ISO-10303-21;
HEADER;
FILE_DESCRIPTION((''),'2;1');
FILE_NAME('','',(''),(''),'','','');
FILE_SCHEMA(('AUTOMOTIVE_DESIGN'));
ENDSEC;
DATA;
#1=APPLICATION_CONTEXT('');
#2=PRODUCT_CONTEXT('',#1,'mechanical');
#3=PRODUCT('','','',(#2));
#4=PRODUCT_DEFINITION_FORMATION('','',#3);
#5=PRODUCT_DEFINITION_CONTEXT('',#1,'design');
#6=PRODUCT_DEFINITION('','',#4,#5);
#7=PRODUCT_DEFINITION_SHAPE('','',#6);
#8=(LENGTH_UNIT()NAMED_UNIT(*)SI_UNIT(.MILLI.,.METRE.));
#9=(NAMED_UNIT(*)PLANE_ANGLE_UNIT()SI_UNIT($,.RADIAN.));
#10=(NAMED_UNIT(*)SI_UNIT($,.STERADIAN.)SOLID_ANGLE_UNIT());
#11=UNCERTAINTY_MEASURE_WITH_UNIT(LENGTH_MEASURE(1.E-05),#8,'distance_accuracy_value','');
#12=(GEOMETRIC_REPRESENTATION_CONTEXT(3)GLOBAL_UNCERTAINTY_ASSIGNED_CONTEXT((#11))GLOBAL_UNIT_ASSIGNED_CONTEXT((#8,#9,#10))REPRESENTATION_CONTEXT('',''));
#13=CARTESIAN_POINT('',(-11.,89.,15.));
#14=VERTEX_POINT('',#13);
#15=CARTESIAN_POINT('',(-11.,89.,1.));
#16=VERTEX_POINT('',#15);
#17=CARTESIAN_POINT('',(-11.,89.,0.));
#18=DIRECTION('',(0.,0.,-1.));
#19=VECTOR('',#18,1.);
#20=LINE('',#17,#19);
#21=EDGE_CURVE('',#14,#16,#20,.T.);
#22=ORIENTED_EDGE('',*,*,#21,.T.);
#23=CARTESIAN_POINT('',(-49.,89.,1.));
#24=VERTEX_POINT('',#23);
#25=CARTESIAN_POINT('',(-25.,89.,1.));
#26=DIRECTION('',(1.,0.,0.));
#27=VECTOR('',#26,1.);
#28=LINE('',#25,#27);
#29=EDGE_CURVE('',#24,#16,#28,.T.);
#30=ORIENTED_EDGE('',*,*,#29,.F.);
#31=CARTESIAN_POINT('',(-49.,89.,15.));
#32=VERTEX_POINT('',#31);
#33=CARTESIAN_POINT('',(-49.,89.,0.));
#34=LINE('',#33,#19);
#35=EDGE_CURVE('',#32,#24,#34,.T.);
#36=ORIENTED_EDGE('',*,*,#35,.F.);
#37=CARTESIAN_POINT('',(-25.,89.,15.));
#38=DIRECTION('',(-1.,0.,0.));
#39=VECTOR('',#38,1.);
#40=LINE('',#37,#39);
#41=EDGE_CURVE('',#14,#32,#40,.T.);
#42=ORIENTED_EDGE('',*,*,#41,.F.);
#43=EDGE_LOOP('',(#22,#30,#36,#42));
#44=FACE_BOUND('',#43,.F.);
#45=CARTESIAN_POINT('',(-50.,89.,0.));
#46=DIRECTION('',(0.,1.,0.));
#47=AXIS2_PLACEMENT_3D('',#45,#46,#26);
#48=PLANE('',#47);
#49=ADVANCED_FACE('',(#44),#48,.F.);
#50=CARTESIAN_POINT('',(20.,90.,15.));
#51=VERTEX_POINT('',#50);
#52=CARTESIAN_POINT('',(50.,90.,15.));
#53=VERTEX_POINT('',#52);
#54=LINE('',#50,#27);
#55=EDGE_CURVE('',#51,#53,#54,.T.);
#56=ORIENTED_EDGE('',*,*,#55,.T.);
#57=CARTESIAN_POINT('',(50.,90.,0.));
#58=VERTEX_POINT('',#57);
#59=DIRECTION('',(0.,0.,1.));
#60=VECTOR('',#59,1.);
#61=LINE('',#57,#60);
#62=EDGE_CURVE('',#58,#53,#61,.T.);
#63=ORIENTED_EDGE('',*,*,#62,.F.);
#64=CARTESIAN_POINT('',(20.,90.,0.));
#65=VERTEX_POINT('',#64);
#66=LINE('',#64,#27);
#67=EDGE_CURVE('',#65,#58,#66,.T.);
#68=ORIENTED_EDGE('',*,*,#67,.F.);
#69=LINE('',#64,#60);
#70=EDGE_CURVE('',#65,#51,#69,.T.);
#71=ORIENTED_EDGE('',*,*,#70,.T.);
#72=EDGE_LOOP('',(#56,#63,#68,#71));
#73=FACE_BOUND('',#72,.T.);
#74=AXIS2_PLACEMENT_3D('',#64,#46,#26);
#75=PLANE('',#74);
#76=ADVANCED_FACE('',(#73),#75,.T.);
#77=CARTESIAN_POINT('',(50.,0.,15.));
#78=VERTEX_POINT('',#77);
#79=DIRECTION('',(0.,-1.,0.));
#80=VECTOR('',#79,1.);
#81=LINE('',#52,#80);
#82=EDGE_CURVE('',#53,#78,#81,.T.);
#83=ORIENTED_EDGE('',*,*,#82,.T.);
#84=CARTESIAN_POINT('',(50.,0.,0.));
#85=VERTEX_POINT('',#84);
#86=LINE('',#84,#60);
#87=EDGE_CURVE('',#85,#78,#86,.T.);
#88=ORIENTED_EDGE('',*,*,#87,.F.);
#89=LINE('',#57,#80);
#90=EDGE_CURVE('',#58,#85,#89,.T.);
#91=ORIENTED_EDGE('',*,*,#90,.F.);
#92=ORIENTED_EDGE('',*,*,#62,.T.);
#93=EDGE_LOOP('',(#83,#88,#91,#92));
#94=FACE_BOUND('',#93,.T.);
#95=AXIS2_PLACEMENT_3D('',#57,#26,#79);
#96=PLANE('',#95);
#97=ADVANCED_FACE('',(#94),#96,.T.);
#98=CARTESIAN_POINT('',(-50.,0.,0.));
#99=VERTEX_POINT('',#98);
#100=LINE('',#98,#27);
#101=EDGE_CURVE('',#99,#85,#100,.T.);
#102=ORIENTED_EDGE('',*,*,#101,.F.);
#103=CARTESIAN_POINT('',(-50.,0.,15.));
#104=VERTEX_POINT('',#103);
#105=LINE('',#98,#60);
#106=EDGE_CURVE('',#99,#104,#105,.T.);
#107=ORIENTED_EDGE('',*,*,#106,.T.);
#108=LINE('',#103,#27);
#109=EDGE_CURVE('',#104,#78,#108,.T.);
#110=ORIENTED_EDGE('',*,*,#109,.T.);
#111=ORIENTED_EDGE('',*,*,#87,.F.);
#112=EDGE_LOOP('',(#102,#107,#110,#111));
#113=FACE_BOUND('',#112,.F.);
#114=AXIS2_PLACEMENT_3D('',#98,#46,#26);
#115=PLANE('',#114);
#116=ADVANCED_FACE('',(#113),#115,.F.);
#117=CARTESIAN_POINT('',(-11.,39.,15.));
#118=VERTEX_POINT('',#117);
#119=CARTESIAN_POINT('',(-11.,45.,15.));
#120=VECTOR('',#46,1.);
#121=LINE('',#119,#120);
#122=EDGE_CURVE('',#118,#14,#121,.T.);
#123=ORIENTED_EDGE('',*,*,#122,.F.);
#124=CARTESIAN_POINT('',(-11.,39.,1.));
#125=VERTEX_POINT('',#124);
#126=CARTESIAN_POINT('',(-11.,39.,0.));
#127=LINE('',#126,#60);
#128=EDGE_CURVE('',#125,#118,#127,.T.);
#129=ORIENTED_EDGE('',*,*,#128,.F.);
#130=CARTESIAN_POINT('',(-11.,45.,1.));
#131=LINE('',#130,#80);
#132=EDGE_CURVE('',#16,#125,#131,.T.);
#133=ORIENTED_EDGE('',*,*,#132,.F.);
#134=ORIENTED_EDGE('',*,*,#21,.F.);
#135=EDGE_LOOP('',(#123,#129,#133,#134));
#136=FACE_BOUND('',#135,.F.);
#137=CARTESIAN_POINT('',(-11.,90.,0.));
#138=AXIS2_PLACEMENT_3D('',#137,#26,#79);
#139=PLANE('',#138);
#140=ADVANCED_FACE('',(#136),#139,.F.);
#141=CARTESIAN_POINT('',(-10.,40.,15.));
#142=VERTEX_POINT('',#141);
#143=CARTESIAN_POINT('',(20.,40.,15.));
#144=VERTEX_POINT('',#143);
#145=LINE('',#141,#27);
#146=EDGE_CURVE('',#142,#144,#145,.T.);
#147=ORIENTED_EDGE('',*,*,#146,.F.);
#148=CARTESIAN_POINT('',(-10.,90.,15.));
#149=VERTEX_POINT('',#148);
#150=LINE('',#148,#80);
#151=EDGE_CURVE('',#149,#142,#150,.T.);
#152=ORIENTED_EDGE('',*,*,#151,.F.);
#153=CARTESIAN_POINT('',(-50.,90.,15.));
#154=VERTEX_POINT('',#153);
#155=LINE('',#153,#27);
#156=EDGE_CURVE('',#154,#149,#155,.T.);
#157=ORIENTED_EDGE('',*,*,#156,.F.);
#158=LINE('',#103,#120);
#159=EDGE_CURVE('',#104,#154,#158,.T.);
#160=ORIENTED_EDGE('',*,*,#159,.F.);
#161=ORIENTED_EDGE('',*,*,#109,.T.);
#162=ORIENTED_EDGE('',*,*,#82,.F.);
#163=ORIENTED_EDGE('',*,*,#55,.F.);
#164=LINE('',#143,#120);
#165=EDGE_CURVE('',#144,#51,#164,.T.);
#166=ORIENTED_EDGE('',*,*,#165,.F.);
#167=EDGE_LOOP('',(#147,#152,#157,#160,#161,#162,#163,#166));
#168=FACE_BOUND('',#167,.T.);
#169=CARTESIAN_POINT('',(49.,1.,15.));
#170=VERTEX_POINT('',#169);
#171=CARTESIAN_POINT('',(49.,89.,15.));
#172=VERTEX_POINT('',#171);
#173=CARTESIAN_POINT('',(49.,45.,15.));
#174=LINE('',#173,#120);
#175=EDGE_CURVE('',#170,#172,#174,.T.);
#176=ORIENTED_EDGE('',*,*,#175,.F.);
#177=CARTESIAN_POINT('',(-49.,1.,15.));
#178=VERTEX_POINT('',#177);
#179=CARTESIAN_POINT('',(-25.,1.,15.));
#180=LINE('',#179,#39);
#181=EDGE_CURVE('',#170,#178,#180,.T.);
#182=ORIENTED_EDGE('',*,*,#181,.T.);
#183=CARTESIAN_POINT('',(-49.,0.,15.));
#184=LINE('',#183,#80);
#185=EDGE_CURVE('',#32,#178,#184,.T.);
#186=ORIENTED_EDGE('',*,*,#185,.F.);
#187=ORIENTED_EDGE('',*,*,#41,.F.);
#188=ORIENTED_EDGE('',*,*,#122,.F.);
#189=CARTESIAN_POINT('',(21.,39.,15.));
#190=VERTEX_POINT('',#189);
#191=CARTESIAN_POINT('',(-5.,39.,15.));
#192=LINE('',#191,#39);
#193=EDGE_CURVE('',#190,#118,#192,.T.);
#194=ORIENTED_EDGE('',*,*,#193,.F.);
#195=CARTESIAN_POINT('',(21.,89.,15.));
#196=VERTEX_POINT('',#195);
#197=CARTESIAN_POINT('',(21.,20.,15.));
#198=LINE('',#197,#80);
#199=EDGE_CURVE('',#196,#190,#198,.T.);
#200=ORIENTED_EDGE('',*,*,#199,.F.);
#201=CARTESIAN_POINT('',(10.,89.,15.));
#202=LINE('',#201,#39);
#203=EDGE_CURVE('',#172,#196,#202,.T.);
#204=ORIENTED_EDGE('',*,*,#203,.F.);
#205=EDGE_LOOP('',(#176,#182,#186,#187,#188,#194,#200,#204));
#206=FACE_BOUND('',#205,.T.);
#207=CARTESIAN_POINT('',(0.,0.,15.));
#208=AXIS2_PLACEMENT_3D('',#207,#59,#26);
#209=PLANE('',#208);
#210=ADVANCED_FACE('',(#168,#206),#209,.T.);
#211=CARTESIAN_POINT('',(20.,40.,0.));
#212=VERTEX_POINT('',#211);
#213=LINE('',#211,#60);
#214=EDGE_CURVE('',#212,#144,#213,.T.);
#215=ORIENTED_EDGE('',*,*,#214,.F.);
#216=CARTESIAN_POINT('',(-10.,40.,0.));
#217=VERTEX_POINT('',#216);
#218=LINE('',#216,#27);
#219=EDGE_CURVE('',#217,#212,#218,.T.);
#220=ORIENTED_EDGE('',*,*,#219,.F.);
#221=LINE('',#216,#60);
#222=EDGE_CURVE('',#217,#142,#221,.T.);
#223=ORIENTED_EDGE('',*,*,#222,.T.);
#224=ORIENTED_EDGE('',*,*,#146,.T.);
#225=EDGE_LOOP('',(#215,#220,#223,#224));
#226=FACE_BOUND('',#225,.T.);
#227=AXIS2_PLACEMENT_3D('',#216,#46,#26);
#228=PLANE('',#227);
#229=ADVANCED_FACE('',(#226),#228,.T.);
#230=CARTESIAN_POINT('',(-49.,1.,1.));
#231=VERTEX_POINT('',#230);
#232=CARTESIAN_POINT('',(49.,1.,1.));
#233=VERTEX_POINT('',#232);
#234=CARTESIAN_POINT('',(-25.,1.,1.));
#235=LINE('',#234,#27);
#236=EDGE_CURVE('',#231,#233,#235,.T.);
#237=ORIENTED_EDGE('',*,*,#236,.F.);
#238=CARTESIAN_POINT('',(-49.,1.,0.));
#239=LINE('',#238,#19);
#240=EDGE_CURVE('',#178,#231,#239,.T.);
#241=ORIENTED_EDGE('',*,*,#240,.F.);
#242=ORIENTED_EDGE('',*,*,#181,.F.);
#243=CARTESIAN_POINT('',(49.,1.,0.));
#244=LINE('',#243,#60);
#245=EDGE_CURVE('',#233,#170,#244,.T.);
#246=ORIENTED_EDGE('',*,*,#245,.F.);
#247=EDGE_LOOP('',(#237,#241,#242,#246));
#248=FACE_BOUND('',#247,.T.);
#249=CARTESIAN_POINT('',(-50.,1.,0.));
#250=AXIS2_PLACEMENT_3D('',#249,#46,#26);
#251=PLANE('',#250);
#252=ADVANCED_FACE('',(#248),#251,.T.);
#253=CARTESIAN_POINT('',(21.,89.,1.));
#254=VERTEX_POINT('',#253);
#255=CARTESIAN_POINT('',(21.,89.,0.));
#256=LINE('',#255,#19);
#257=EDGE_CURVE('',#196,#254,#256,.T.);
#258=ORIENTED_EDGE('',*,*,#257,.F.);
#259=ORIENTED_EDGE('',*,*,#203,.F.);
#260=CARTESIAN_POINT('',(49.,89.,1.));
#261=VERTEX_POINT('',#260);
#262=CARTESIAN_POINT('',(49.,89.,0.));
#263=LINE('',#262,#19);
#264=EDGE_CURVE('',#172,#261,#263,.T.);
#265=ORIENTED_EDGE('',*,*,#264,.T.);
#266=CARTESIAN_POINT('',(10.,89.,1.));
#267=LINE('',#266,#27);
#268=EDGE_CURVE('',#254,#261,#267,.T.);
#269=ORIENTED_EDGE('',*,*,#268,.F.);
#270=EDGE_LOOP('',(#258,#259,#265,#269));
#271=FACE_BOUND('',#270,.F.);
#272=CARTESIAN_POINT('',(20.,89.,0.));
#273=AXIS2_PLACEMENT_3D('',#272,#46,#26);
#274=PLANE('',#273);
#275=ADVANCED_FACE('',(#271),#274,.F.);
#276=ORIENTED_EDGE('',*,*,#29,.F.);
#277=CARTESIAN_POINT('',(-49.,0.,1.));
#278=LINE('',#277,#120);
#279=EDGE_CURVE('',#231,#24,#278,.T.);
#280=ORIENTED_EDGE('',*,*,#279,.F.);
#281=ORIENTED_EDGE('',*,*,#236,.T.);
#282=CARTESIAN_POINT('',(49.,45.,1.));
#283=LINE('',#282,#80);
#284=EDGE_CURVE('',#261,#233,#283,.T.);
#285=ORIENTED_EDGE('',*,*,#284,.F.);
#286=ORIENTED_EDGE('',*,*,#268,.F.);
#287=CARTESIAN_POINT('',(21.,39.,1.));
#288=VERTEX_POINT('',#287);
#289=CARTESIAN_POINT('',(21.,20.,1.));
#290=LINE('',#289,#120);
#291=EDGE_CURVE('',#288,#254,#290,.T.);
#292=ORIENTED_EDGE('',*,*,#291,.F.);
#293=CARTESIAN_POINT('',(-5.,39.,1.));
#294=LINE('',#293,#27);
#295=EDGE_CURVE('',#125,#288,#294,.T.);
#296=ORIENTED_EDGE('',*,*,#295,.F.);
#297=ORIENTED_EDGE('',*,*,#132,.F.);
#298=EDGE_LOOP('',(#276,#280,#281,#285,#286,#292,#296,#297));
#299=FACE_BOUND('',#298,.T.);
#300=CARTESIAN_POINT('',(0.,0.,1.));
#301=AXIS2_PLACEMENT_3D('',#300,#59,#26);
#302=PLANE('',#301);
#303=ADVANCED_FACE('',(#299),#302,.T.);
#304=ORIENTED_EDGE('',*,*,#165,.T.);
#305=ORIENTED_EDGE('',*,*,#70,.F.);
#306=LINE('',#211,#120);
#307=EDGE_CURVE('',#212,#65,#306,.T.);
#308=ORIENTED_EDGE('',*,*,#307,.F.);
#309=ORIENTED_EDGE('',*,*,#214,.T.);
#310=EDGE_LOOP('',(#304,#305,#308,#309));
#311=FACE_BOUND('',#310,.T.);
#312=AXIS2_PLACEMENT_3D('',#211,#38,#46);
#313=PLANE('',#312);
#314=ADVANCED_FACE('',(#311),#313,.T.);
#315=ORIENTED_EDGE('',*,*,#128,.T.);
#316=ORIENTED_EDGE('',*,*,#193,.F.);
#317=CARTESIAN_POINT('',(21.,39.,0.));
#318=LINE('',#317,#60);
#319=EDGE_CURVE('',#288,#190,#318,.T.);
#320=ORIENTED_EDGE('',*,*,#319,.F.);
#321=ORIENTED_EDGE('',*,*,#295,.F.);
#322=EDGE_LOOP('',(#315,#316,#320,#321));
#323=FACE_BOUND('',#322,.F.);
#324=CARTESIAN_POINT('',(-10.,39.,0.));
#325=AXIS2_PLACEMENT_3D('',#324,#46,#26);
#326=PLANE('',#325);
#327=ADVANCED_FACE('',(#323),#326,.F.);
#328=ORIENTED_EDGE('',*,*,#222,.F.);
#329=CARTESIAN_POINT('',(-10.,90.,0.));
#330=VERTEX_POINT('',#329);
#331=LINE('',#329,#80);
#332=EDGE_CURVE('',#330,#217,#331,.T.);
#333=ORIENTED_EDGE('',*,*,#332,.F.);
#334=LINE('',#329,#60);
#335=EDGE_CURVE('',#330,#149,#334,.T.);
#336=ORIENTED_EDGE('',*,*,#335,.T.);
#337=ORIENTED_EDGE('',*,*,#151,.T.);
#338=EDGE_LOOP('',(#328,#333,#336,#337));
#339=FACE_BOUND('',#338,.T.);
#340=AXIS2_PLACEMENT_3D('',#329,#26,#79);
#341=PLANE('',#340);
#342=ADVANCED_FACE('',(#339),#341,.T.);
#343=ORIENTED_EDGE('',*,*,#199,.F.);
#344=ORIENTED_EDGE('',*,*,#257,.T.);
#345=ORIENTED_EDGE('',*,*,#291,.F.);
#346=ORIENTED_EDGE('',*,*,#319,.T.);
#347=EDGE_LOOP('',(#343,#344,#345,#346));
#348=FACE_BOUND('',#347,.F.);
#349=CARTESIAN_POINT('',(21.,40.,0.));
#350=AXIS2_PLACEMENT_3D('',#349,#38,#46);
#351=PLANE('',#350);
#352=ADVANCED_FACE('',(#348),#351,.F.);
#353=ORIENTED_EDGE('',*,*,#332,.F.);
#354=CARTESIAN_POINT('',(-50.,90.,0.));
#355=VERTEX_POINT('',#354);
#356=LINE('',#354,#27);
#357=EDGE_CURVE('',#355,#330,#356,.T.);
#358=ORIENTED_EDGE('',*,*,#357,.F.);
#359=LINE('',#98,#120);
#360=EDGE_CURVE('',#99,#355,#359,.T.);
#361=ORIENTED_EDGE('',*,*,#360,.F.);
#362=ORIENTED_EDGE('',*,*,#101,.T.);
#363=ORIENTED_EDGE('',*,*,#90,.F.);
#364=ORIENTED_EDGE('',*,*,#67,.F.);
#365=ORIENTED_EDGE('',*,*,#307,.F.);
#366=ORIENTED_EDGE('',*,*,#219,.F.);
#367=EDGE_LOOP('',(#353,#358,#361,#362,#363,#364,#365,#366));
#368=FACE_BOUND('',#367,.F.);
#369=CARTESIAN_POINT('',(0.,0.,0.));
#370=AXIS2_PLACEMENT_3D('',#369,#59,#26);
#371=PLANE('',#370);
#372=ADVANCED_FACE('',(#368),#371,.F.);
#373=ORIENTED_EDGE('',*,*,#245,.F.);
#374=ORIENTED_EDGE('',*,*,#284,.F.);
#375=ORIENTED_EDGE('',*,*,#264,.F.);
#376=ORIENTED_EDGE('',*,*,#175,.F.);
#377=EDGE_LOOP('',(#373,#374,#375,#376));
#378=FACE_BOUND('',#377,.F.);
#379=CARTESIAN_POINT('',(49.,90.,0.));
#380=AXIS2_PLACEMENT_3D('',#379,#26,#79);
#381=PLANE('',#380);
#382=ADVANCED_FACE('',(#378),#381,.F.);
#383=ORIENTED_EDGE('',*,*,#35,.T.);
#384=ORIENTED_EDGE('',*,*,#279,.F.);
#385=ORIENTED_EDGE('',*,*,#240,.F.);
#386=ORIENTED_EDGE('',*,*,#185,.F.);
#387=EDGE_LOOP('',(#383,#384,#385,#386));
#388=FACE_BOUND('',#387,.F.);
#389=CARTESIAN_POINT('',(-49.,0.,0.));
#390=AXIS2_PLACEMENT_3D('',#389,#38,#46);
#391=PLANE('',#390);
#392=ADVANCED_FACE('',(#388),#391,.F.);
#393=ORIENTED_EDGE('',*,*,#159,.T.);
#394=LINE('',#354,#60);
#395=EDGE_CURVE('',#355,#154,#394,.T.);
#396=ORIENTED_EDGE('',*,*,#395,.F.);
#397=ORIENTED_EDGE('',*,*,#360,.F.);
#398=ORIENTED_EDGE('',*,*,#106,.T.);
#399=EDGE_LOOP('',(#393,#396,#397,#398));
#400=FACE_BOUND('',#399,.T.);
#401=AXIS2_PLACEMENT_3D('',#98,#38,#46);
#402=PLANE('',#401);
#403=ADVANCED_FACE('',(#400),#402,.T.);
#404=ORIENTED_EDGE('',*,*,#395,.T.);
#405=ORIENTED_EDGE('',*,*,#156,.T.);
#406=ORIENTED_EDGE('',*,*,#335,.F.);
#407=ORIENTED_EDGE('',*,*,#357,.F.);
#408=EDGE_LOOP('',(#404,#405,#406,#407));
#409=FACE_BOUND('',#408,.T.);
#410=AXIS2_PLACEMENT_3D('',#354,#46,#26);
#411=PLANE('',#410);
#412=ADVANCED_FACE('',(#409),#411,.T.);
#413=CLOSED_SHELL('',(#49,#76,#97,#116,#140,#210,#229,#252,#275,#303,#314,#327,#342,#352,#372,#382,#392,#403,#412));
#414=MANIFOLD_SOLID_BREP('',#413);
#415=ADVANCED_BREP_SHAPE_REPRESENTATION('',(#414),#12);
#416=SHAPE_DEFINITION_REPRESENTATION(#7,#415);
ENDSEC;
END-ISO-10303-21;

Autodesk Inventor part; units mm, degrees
ref_plane "YZ Plane" through (0, 0, 0) normal (1, 0, 0) x (0, 1, 0)
ref_plane "XZ Plane" through (0, 0, 0) normal (0, 1, 0) x (-1, 0, 0)
ref_plane "XY Plane" through (0, 0, 0) normal (0, 0, 1) x (1, 0, 0)
sketch "Sketch1" plane through (0, 0, 0) normal (0, 0, 1) x (1, 0, 0)
  line L0 (0, 0) -> (-50, 0) construction
  line L1 (0, 0) -> (50, 0) construction
  line L2 (-50, 0) -> (50, 0)
  line L3 (-50, 0) -> (-50, 90)
  line L4 (-79, 0) -> (-79, 40) construction
  line L5 (-79, 40) -> (-79, 90) construction
  line L6 (-50, 90) -> (-10, 90)
  line L7 (-50, 100.5212) -> (20, 100.5212) construction
  line L8 (-10, 90) -> (-10, 40)
  line L9 (-10, 40) -> (20, 40)
  line L10 (20, 40) -> (20, 90)
  line L11 (20, 90) -> (50, 90)
  line L12 (50, 90) -> (50, 0)
  dimension "d2" = 90
  dimension "d3" = 40
  dimension "d4" = 50
  dimension "d5" = 40
  dimension "d6" = 70
extrude "Extrusion1" add sketch "Sketch1" along normal blind 15
shell "Shell1" thickness 1 removed faces 1 at (-3.3333, 13.3333, 15)
properties part number "shim_3DPrint"
